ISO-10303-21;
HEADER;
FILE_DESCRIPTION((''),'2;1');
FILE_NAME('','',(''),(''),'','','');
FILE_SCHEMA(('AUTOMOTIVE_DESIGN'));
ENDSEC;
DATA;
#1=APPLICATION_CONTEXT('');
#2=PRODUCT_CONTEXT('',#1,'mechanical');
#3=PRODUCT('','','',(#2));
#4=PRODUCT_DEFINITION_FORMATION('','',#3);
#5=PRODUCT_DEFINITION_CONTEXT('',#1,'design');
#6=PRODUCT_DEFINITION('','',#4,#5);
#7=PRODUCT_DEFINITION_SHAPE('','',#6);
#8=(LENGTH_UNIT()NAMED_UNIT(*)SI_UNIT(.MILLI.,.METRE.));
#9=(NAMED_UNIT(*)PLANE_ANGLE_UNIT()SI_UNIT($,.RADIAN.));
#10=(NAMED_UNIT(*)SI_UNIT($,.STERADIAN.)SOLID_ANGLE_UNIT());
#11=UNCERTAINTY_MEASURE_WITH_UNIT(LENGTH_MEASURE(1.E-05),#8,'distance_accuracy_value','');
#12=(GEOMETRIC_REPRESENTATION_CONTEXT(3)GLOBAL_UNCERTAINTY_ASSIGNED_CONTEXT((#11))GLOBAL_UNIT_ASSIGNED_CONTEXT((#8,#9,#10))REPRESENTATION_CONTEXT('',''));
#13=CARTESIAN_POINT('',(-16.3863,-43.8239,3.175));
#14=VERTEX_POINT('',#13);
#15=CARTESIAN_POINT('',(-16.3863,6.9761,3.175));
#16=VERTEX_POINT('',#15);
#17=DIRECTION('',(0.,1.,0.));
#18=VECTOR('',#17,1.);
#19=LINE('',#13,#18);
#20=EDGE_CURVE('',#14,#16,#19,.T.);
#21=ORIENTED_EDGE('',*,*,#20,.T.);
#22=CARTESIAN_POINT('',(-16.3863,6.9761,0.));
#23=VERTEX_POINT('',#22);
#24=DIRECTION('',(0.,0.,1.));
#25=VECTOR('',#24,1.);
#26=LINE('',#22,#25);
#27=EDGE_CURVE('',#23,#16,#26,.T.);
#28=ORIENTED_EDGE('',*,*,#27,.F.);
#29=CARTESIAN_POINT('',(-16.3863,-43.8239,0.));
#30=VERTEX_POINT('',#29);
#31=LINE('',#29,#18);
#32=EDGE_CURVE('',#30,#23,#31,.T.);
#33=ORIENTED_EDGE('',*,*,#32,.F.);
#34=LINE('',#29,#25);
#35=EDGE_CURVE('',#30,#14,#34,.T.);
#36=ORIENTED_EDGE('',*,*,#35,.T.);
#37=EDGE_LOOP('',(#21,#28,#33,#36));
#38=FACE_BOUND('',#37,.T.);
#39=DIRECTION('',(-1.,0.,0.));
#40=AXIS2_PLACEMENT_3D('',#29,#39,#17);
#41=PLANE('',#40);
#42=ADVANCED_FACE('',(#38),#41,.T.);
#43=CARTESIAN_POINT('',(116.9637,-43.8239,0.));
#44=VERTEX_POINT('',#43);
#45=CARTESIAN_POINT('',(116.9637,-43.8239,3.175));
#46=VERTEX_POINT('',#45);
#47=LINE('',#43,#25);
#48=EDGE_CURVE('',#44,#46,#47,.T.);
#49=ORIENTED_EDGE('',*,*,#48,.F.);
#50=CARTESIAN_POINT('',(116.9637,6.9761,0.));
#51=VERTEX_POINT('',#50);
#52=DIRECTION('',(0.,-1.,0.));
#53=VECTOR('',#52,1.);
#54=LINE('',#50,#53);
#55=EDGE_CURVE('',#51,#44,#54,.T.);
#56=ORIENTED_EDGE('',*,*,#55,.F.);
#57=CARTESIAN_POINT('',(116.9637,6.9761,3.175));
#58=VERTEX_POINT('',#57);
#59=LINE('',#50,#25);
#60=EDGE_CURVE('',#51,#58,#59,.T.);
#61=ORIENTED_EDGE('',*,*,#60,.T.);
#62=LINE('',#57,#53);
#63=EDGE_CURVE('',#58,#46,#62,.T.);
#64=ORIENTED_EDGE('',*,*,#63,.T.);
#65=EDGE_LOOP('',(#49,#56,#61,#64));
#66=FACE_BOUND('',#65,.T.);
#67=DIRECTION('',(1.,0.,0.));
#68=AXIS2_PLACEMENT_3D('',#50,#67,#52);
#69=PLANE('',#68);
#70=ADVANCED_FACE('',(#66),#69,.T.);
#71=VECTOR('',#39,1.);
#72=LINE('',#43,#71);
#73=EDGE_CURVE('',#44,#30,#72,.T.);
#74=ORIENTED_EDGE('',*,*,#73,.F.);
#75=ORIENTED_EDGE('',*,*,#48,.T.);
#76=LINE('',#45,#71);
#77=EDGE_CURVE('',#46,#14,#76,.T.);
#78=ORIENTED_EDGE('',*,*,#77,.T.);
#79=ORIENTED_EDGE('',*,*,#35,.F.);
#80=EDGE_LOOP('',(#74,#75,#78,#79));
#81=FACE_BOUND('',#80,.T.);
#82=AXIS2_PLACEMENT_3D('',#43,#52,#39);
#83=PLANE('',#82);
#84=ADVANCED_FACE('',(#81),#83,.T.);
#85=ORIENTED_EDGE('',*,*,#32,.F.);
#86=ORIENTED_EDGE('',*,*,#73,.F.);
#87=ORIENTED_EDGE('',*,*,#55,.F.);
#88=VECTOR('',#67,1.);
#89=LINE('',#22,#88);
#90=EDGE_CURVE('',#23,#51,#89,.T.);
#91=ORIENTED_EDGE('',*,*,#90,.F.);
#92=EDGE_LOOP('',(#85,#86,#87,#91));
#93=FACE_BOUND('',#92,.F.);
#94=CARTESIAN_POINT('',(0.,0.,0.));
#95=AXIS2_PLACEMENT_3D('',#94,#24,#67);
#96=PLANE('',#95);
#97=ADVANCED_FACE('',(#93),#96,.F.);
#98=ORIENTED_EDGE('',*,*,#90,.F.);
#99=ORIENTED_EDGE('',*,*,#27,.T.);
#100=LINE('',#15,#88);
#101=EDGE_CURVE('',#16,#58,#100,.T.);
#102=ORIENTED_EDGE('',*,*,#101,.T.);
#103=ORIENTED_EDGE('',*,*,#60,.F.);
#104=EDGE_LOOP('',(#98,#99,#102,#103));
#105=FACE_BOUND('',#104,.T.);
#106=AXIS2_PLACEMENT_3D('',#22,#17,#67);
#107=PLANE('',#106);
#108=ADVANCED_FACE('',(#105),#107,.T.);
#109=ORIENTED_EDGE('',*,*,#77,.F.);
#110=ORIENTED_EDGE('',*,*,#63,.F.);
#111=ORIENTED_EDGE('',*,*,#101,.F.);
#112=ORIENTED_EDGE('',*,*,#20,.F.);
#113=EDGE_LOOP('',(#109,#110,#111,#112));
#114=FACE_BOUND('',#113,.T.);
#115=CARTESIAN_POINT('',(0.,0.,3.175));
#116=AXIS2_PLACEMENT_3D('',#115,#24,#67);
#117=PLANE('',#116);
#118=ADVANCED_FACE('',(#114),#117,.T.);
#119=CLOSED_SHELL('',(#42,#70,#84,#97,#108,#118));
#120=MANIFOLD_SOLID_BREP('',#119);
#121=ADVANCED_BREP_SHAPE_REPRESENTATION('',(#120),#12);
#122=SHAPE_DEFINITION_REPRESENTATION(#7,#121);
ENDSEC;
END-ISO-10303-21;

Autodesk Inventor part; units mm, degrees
ref_plane "YZ Plane" through (0, 0, 0) normal (1, 0, 0) x (0, 1, 0)
ref_plane "XZ Plane" through (0, 0, 0) normal (0, 1, 0) x (-1, 0, 0)
ref_plane "XY Plane" through (0, 0, 0) normal (0, 0, 1) x (1, 0, 0)
sketch "Sketch1" plane through (0, 0, 0) normal (0, 0, 1) x (1, 0, 0)
  line L0 (-16.3863, 6.9761) -> (116.9637, 6.9761)
  line L1 (116.9637, 6.9761) -> (116.9637, -43.8239)
  line L2 (116.9637, -43.8239) -> (-16.3863, -43.8239)
  line L3 (-16.3863, -43.8239) -> (-16.3863, 6.9761)
  point P0 (0, 0)
  dimension "d0" = 133.35
  dimension "d1" = 50.8
extrude "Extrusion1" add sketch "Sketch1" along normal blind 3.175
properties part number "short top side 5.25x2"
